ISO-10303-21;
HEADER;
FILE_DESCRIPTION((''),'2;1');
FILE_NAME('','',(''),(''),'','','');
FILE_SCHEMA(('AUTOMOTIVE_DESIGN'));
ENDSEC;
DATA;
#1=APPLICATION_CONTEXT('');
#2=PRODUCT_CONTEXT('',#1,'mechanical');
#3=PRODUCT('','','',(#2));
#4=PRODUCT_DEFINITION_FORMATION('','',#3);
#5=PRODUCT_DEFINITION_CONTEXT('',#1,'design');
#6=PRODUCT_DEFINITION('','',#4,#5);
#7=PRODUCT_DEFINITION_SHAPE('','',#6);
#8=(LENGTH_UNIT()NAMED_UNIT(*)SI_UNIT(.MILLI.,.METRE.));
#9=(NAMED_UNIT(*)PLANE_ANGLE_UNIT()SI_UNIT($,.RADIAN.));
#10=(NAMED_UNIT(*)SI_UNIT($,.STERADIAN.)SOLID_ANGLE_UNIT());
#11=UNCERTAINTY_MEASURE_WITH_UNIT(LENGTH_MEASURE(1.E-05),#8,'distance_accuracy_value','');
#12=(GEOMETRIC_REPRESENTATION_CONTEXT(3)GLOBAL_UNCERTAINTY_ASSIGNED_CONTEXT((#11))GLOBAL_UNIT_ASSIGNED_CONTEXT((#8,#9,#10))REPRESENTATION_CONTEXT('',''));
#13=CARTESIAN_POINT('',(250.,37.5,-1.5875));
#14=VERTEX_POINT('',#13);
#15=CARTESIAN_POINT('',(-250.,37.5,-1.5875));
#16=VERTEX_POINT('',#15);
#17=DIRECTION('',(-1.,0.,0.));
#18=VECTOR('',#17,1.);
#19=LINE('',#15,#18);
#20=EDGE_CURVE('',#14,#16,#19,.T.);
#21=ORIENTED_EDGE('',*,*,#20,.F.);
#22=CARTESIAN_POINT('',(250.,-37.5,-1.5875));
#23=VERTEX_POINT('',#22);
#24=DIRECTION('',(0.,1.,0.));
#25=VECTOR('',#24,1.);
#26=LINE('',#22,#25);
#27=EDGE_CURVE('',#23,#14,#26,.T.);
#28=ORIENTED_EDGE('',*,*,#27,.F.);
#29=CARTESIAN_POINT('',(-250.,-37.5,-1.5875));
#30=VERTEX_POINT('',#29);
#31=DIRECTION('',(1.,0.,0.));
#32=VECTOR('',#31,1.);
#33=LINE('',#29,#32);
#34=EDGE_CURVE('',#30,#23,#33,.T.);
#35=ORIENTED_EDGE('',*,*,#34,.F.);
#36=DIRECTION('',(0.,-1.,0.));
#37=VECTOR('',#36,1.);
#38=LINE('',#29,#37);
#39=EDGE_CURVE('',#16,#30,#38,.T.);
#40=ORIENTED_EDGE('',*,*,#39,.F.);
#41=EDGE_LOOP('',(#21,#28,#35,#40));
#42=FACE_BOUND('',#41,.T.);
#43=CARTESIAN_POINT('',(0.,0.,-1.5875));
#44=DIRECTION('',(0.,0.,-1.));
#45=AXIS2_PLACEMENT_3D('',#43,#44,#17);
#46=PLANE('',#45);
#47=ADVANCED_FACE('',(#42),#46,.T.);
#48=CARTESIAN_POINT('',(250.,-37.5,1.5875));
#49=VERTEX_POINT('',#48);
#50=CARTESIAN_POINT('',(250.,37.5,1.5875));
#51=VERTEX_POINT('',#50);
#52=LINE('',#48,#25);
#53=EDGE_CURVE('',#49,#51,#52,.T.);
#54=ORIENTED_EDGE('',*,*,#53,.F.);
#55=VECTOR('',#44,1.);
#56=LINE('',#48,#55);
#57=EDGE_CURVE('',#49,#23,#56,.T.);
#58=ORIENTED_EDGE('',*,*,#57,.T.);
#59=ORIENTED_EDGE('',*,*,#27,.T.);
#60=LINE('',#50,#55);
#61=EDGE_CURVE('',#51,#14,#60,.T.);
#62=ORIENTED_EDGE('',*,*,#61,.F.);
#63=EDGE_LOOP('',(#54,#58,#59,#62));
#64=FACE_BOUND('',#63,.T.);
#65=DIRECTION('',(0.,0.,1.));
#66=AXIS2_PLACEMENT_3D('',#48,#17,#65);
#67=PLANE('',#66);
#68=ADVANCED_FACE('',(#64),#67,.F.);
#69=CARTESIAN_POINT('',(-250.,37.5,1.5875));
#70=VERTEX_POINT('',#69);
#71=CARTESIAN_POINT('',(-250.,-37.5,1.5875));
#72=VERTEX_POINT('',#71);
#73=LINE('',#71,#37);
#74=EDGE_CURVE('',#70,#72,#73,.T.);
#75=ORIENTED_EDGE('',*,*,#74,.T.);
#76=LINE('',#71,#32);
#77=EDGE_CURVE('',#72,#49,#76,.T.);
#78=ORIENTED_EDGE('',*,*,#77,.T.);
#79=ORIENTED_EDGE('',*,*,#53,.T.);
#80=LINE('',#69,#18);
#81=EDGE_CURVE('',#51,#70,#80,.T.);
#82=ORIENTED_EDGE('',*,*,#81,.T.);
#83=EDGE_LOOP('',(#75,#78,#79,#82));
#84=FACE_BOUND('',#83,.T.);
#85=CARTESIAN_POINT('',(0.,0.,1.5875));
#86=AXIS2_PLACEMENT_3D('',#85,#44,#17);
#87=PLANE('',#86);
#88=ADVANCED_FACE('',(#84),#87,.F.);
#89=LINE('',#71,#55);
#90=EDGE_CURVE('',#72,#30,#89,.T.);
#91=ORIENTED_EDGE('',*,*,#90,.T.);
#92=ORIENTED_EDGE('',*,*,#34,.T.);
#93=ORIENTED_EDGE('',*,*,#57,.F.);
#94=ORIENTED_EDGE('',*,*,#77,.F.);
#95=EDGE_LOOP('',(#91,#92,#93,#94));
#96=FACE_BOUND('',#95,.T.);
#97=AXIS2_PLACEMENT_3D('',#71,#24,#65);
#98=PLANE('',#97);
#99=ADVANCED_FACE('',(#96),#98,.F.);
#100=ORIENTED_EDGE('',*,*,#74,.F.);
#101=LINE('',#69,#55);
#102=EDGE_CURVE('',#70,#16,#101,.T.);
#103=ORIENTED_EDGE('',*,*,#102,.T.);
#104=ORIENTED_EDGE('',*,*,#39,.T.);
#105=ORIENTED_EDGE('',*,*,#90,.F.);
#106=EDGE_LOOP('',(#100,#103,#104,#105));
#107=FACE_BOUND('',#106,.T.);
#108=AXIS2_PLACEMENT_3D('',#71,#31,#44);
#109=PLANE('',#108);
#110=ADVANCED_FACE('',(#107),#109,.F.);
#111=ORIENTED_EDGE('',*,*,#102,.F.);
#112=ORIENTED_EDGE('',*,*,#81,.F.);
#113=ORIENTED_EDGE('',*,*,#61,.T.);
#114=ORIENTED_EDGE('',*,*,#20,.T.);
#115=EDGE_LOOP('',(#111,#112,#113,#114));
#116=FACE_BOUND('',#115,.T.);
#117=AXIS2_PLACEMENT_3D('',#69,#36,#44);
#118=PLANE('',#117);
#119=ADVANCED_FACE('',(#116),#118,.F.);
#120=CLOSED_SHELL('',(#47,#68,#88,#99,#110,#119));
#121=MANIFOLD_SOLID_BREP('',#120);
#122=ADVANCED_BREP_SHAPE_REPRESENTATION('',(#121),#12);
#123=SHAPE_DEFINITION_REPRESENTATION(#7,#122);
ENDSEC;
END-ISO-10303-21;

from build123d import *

# Parameters (mm, degrees)
CROQUIS1_W              = 500
CROQUIS1_H              = 75
SALIENTE_EXTRUIR1_DEPTH = 1.5875


with BuildPart() as part:
    # Croquis1 → Saliente-Extruir1 (new, symmetric)
    with BuildSketch(Plane.XY):
        Rectangle(CROQUIS1_W, CROQUIS1_H)
    extrude(amount=SALIENTE_EXTRUIR1_DEPTH, both=True)


solid = part.part
